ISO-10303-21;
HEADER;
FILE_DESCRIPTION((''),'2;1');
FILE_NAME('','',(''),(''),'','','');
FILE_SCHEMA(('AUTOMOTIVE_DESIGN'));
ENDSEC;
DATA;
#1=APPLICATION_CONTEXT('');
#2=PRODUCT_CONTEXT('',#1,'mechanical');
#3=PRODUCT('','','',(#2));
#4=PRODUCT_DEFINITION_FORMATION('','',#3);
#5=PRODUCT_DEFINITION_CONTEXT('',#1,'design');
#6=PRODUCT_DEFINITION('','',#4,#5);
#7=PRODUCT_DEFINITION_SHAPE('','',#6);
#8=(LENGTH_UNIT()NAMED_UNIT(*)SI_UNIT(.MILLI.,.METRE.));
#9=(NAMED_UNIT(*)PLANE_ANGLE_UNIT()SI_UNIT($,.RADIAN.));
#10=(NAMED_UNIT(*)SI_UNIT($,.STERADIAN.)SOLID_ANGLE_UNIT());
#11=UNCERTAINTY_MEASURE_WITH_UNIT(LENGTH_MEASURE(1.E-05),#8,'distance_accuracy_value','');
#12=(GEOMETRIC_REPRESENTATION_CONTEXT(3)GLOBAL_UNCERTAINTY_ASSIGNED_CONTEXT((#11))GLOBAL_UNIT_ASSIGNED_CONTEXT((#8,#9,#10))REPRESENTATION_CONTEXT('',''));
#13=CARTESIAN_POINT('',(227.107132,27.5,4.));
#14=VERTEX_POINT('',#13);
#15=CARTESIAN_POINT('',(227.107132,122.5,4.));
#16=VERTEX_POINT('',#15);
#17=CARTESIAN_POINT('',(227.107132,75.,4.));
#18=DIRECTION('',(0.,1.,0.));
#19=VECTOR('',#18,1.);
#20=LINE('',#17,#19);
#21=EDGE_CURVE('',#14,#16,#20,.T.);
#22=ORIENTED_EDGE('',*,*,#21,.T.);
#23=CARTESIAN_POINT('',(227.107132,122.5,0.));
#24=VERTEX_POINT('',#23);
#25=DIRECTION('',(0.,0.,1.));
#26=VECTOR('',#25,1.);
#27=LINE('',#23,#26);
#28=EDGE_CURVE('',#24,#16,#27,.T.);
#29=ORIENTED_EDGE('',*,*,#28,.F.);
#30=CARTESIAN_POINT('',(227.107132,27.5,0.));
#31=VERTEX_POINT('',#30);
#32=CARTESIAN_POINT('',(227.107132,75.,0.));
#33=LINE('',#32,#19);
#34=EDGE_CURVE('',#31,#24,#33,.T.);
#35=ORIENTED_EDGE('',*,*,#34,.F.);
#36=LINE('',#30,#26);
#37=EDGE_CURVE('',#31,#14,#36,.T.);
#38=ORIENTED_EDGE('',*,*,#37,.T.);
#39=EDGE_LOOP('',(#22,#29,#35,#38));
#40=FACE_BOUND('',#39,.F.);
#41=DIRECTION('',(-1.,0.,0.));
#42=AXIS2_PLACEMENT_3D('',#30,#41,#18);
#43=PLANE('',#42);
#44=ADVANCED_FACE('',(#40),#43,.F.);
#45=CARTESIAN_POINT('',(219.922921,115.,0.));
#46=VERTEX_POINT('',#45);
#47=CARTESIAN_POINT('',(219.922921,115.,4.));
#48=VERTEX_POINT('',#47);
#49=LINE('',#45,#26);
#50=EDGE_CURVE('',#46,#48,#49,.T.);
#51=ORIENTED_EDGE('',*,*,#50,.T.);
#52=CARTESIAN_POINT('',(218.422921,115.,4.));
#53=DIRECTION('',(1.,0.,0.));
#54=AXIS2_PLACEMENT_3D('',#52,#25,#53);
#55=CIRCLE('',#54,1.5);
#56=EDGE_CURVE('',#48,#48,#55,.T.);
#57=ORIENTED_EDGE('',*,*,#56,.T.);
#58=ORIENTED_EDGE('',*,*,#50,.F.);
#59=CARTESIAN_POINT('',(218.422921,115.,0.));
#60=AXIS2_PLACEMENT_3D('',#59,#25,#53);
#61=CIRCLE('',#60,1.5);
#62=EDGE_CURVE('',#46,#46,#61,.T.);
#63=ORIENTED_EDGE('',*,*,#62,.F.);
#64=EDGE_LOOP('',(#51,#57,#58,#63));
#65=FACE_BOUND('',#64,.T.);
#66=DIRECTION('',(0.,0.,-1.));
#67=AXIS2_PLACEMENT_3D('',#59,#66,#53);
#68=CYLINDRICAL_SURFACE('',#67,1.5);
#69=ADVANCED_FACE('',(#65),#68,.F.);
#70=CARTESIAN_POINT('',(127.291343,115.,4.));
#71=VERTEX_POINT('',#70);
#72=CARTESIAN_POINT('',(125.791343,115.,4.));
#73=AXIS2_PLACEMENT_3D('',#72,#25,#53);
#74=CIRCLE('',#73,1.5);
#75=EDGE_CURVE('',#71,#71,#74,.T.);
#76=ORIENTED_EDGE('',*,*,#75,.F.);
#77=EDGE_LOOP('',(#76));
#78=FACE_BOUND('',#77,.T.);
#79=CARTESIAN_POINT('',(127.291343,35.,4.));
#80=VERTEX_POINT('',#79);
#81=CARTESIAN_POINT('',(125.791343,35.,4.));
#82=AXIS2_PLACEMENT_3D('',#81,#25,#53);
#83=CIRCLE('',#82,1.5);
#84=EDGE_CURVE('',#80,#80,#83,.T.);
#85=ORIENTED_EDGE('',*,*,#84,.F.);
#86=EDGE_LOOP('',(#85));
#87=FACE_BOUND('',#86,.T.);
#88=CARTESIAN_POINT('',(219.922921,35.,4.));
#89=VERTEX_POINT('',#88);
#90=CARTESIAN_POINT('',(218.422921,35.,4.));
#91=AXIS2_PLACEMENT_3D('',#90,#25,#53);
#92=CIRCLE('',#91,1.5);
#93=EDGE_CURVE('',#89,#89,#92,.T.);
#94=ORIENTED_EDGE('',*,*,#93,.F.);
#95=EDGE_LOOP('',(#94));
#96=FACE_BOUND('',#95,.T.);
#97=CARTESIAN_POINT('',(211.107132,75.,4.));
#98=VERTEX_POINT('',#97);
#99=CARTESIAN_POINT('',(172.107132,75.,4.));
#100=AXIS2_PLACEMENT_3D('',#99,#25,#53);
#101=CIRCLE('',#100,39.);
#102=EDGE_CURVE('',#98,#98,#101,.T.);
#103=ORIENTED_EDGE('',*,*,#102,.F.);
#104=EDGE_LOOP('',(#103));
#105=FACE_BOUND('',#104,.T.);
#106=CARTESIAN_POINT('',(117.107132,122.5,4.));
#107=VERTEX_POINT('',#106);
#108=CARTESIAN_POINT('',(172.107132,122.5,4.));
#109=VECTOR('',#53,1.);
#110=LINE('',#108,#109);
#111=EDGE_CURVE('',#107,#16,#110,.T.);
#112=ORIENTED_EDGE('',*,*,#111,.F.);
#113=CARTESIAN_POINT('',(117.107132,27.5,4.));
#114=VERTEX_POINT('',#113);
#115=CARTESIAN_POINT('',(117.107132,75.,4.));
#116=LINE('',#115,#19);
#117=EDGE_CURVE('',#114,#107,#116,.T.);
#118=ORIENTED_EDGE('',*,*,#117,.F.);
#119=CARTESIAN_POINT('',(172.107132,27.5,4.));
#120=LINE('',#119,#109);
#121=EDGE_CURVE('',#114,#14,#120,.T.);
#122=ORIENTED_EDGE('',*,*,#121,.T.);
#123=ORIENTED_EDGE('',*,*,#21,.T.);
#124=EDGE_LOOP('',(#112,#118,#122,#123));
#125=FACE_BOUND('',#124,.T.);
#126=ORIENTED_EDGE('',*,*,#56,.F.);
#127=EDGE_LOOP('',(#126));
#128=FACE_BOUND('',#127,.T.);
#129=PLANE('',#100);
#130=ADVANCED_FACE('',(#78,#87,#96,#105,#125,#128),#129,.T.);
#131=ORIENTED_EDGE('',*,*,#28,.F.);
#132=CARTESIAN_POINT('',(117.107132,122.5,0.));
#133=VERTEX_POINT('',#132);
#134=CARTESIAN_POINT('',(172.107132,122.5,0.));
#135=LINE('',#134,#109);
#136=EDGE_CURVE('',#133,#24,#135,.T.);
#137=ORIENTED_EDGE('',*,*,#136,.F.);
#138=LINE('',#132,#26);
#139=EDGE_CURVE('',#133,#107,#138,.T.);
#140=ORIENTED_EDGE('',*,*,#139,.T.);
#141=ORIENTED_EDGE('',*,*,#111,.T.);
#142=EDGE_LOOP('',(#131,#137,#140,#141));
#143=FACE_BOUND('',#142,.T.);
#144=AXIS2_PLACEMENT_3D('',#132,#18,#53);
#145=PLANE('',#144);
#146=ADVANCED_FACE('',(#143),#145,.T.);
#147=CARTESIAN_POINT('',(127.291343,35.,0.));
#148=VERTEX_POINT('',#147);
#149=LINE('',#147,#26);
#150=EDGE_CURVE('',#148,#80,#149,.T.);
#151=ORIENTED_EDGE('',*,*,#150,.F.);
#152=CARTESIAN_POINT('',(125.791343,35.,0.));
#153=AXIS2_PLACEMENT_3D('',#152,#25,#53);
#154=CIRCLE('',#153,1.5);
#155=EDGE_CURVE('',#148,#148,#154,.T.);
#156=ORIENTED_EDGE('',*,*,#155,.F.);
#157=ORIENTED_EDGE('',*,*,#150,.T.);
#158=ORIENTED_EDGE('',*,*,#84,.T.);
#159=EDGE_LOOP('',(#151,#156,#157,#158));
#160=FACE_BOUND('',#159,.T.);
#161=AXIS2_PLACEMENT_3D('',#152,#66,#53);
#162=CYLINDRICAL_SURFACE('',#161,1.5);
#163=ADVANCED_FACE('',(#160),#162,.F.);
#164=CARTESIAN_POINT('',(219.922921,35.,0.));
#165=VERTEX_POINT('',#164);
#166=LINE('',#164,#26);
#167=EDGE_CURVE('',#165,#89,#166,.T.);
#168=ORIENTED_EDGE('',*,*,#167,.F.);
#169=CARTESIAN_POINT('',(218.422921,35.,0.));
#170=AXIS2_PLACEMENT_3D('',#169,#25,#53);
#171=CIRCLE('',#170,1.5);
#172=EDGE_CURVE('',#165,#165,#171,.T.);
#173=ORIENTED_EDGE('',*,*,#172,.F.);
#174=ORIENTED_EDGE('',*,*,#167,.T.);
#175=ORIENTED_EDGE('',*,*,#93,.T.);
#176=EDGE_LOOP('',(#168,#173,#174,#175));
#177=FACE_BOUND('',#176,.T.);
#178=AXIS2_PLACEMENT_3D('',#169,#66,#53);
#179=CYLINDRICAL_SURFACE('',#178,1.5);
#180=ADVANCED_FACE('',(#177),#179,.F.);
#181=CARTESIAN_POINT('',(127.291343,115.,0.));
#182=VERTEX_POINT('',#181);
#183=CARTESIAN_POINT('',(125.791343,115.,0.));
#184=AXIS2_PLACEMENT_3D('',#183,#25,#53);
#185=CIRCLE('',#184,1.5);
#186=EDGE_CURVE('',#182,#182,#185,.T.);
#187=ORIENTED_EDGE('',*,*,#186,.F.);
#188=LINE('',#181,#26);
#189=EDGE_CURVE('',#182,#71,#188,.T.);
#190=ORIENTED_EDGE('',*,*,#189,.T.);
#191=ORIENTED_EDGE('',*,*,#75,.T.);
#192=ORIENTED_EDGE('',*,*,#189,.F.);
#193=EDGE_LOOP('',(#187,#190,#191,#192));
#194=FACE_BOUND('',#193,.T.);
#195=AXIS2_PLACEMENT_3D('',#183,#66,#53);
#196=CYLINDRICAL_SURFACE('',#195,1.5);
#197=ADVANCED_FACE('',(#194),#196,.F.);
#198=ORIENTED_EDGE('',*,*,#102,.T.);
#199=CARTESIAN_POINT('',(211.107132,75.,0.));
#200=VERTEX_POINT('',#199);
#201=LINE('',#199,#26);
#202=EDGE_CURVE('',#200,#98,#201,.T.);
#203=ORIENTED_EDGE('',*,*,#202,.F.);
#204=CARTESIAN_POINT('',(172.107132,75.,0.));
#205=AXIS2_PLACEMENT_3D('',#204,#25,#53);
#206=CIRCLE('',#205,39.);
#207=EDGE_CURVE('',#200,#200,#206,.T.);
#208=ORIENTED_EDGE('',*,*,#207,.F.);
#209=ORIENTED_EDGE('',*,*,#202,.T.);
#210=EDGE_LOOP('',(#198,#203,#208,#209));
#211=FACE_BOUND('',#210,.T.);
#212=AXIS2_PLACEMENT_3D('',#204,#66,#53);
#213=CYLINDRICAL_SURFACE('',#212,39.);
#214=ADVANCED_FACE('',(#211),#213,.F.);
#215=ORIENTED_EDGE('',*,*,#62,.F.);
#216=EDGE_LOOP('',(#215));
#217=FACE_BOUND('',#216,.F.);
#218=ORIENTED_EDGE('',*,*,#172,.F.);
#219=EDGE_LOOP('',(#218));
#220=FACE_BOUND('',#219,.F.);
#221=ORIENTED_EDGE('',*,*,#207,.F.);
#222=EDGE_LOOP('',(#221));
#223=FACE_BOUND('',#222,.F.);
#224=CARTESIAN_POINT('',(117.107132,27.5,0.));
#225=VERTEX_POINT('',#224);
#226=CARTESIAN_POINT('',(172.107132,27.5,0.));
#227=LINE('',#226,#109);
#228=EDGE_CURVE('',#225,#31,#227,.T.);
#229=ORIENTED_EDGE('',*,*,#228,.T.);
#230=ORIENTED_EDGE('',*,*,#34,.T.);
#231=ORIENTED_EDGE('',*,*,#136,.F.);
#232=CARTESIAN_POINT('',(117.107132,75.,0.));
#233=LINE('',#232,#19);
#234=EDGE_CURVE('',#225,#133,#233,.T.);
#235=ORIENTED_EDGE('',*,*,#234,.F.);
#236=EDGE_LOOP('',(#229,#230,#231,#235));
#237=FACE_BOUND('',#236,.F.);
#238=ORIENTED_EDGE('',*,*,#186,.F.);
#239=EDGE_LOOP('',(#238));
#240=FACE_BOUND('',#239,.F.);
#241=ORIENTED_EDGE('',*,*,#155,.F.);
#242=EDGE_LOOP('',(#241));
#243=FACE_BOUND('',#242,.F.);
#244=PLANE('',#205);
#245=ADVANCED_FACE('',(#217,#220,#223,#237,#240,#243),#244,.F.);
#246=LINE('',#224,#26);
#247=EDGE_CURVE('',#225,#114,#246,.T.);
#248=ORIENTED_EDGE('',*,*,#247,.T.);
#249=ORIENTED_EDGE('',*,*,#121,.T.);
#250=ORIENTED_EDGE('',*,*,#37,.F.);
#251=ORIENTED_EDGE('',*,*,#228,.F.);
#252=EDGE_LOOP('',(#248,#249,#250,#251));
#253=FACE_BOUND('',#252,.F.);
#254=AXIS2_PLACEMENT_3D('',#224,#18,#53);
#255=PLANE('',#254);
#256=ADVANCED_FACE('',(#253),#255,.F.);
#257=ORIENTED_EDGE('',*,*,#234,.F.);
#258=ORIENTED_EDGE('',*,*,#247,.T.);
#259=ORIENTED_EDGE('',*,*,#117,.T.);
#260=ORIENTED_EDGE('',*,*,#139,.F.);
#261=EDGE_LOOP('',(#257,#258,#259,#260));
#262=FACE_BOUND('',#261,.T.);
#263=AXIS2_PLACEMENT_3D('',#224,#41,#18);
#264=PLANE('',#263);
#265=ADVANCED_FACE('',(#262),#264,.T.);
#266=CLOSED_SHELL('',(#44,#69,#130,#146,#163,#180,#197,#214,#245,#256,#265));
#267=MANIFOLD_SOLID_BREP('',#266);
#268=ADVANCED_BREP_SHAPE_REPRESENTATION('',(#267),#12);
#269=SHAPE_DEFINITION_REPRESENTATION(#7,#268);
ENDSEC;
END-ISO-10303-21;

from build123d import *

# Parameters (mm, degrees)
SKETCH002_W   = 110
SKETCH002_H   = 95
SKETCH002_R   = 39
SKETCH002_R_2 = 1.5
PAD_DEPTH     = 4


with BuildPart() as part:
    # Sketch002 → Pad (new body)
    with BuildSketch(Plane.XY):
        with Locations((172.107132, 75)):
            Rectangle(SKETCH002_W, SKETCH002_H)
        with Locations((172.107132, 75)):
            Circle(SKETCH002_R, mode=Mode.SUBTRACT)
        with Locations((218.422921, 115)):
            Circle(SKETCH002_R_2, mode=Mode.SUBTRACT)
        with Locations((218.422921, 35)):
            Circle(SKETCH002_R_2, mode=Mode.SUBTRACT)
        with Locations((125.791343, 35)):
            Circle(SKETCH002_R_2, mode=Mode.SUBTRACT)
        with Locations((125.791343, 115)):
            Circle(SKETCH002_R_2, mode=Mode.SUBTRACT)
    extrude(amount=PAD_DEPTH)


solid = part.part
